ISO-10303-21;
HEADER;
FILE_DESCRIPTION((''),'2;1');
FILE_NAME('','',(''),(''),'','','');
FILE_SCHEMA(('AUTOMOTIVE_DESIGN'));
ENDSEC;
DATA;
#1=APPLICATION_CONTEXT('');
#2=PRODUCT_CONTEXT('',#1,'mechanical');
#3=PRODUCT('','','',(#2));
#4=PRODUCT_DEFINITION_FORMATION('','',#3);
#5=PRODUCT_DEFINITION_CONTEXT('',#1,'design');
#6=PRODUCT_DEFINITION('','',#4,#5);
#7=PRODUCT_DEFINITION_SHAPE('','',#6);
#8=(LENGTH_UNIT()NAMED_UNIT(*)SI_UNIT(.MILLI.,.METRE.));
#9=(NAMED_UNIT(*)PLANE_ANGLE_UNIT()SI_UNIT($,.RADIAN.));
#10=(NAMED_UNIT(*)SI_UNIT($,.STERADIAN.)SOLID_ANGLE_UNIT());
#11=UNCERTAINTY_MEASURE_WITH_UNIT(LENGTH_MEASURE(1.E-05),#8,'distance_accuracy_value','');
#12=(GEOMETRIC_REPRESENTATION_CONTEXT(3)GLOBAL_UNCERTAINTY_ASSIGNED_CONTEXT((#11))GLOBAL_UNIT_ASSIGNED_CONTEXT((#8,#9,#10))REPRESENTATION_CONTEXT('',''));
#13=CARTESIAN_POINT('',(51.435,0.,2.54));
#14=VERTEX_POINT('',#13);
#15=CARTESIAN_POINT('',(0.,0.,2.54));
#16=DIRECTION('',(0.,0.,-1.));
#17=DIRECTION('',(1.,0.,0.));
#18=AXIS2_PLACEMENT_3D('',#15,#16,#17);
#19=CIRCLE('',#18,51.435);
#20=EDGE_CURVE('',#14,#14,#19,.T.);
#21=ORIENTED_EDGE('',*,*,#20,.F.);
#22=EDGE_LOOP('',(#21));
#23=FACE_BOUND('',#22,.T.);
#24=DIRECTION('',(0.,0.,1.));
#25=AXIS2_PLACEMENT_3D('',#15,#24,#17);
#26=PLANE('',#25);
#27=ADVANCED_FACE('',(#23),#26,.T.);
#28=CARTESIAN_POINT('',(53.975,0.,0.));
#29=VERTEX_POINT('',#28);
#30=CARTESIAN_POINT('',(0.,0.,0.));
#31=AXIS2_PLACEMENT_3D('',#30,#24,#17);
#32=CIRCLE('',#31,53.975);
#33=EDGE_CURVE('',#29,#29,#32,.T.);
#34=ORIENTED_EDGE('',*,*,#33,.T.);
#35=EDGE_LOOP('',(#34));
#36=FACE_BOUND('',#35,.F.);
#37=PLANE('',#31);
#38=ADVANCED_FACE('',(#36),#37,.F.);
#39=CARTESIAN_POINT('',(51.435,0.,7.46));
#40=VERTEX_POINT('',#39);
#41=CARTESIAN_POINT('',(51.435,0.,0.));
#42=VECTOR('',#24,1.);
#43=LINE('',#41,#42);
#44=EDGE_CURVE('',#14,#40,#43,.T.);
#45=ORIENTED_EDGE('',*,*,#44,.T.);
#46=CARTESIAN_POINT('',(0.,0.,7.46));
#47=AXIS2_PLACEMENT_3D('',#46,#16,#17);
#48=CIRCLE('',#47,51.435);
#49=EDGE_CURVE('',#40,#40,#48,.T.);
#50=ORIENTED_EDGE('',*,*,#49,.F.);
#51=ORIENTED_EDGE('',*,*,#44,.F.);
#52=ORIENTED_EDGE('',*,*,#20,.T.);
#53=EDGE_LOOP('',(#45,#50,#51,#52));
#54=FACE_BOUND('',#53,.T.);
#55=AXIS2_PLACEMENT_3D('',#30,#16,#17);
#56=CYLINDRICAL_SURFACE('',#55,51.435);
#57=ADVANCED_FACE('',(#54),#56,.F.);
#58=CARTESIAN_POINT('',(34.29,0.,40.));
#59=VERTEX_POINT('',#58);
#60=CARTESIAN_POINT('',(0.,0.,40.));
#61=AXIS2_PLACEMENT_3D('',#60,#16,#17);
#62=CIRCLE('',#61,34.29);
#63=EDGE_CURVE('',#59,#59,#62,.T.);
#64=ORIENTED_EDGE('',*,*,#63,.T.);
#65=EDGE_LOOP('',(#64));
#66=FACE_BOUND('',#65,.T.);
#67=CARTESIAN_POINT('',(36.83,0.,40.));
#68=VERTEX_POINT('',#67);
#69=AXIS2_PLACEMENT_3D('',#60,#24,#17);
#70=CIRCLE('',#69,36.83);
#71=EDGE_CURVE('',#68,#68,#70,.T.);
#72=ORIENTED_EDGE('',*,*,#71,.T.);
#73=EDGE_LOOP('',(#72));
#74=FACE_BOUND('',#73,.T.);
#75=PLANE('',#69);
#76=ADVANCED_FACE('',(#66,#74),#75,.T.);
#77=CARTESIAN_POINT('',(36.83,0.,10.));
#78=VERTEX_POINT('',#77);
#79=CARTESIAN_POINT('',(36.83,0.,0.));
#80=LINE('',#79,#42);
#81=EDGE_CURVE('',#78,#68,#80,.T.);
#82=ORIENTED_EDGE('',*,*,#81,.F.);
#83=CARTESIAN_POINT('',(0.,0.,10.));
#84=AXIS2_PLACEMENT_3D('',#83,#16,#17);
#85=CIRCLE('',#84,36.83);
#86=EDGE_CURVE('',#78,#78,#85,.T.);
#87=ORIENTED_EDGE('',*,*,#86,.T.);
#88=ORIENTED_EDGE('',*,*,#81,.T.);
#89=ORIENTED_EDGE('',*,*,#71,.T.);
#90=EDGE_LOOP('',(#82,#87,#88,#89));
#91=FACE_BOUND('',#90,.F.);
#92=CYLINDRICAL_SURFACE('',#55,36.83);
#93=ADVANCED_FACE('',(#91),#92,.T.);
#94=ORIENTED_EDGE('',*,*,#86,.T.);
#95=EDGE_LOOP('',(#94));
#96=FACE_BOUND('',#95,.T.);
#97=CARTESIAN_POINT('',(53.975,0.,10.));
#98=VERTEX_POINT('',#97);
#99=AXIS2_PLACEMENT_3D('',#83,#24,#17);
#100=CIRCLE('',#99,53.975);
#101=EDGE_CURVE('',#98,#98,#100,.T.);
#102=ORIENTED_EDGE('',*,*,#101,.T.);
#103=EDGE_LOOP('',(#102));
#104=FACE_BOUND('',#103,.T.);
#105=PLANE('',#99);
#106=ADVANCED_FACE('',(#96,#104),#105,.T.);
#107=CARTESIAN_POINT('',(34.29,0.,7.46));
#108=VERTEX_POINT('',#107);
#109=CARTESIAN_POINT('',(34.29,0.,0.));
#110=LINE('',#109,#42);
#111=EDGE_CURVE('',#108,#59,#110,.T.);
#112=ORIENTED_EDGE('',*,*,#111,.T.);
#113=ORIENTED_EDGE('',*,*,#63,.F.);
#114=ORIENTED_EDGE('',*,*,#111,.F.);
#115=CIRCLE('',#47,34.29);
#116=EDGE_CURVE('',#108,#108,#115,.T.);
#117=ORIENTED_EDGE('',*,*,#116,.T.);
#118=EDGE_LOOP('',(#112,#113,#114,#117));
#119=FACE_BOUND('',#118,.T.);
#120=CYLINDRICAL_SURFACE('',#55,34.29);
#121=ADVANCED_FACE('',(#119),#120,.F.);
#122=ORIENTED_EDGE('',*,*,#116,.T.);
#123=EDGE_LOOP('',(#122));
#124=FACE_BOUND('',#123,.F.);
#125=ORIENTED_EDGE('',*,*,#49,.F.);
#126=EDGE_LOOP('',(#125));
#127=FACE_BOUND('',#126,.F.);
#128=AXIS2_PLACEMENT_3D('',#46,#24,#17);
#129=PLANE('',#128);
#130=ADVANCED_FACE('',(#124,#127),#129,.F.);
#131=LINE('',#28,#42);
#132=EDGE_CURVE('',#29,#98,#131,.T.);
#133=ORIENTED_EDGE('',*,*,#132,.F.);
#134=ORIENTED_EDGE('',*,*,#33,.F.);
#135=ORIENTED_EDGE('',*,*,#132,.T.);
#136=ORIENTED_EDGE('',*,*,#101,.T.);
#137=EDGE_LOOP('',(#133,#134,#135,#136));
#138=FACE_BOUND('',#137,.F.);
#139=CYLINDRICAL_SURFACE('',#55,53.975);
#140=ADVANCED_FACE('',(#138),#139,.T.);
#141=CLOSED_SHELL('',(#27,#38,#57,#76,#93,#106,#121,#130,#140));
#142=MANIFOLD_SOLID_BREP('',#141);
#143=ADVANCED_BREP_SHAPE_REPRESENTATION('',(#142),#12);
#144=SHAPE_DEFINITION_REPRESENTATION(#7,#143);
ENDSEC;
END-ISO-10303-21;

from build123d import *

# Parameters (mm, degrees)
F1_R     = 53.975
F3_DEPTH = 10
F0_R     = 36.83
F4_DEPTH = 40
F5_T     = -2.54


with BuildPart() as f3:
    # F1 (on Top) → F3 (new body)
    with BuildSketch(Plane.XY):
        Circle(F1_R)
    extrude(amount=F3_DEPTH)

    # F0 (on Top) → F4 (join)
    with BuildSketch(Plane.XY):
        Circle(F0_R)
    extrude(amount=F4_DEPTH)

    # F5
    f5_openings = [f3.faces().sort_by_distance(p)[0] for p in [
        (0, 0, 40),
    ]]
    offset(amount=F5_T, openings=f5_openings, kind=Kind.INTERSECTION)


solid = f3.part
